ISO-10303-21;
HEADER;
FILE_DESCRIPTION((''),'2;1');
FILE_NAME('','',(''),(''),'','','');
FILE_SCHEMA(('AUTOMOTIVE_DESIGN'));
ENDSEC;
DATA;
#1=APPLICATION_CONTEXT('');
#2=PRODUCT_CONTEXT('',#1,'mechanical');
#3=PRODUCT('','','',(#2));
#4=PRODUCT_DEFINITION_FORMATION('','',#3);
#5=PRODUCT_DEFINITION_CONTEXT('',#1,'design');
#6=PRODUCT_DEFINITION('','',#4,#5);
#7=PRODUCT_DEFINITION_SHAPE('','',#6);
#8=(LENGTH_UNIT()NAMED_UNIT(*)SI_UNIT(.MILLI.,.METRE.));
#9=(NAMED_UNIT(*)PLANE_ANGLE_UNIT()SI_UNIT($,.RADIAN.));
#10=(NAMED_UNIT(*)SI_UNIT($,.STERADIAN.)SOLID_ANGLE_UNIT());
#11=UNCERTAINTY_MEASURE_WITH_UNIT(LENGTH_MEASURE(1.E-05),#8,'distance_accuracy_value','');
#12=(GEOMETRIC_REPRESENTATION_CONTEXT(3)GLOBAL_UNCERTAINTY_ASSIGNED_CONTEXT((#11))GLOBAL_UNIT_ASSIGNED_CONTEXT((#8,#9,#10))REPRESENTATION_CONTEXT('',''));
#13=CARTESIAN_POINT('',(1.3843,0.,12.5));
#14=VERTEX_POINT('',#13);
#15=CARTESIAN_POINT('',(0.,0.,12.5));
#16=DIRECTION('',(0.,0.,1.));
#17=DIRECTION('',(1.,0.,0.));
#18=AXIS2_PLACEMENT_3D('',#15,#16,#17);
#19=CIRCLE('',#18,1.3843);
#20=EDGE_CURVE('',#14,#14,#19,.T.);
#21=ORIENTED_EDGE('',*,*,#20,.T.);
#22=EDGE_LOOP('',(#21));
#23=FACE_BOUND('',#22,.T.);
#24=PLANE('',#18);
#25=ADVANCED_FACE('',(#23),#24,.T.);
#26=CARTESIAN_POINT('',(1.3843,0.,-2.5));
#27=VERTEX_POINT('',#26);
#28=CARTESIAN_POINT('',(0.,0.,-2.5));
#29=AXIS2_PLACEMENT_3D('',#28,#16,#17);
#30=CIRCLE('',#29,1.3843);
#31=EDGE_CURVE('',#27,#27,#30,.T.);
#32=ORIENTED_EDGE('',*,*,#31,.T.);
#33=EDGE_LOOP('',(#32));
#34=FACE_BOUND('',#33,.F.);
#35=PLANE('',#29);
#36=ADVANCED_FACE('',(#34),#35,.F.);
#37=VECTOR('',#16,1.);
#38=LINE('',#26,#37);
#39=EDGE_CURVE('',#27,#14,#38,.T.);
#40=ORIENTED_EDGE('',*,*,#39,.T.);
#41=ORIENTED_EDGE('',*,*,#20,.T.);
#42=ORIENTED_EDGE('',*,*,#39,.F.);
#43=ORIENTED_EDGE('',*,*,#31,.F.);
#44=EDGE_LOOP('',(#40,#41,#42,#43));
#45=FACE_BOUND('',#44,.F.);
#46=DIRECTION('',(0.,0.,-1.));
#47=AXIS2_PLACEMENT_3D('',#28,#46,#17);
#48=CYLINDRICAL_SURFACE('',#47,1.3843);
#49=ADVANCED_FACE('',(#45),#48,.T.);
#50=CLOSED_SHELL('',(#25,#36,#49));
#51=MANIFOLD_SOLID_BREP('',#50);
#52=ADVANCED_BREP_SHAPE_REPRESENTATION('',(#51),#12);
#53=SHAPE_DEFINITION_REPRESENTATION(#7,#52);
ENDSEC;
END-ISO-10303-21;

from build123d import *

# Parameters (mm, degrees)
CYLINDER_R     = 1.3843
CYLINDER_DEPTH = 15


with BuildPart() as part:
    # Cylinder → Cylinder (new body)
    with BuildSketch(Plane.XY.offset(-2.5)):
        Circle(CYLINDER_R)
    extrude(amount=CYLINDER_DEPTH)


solid = part.part
